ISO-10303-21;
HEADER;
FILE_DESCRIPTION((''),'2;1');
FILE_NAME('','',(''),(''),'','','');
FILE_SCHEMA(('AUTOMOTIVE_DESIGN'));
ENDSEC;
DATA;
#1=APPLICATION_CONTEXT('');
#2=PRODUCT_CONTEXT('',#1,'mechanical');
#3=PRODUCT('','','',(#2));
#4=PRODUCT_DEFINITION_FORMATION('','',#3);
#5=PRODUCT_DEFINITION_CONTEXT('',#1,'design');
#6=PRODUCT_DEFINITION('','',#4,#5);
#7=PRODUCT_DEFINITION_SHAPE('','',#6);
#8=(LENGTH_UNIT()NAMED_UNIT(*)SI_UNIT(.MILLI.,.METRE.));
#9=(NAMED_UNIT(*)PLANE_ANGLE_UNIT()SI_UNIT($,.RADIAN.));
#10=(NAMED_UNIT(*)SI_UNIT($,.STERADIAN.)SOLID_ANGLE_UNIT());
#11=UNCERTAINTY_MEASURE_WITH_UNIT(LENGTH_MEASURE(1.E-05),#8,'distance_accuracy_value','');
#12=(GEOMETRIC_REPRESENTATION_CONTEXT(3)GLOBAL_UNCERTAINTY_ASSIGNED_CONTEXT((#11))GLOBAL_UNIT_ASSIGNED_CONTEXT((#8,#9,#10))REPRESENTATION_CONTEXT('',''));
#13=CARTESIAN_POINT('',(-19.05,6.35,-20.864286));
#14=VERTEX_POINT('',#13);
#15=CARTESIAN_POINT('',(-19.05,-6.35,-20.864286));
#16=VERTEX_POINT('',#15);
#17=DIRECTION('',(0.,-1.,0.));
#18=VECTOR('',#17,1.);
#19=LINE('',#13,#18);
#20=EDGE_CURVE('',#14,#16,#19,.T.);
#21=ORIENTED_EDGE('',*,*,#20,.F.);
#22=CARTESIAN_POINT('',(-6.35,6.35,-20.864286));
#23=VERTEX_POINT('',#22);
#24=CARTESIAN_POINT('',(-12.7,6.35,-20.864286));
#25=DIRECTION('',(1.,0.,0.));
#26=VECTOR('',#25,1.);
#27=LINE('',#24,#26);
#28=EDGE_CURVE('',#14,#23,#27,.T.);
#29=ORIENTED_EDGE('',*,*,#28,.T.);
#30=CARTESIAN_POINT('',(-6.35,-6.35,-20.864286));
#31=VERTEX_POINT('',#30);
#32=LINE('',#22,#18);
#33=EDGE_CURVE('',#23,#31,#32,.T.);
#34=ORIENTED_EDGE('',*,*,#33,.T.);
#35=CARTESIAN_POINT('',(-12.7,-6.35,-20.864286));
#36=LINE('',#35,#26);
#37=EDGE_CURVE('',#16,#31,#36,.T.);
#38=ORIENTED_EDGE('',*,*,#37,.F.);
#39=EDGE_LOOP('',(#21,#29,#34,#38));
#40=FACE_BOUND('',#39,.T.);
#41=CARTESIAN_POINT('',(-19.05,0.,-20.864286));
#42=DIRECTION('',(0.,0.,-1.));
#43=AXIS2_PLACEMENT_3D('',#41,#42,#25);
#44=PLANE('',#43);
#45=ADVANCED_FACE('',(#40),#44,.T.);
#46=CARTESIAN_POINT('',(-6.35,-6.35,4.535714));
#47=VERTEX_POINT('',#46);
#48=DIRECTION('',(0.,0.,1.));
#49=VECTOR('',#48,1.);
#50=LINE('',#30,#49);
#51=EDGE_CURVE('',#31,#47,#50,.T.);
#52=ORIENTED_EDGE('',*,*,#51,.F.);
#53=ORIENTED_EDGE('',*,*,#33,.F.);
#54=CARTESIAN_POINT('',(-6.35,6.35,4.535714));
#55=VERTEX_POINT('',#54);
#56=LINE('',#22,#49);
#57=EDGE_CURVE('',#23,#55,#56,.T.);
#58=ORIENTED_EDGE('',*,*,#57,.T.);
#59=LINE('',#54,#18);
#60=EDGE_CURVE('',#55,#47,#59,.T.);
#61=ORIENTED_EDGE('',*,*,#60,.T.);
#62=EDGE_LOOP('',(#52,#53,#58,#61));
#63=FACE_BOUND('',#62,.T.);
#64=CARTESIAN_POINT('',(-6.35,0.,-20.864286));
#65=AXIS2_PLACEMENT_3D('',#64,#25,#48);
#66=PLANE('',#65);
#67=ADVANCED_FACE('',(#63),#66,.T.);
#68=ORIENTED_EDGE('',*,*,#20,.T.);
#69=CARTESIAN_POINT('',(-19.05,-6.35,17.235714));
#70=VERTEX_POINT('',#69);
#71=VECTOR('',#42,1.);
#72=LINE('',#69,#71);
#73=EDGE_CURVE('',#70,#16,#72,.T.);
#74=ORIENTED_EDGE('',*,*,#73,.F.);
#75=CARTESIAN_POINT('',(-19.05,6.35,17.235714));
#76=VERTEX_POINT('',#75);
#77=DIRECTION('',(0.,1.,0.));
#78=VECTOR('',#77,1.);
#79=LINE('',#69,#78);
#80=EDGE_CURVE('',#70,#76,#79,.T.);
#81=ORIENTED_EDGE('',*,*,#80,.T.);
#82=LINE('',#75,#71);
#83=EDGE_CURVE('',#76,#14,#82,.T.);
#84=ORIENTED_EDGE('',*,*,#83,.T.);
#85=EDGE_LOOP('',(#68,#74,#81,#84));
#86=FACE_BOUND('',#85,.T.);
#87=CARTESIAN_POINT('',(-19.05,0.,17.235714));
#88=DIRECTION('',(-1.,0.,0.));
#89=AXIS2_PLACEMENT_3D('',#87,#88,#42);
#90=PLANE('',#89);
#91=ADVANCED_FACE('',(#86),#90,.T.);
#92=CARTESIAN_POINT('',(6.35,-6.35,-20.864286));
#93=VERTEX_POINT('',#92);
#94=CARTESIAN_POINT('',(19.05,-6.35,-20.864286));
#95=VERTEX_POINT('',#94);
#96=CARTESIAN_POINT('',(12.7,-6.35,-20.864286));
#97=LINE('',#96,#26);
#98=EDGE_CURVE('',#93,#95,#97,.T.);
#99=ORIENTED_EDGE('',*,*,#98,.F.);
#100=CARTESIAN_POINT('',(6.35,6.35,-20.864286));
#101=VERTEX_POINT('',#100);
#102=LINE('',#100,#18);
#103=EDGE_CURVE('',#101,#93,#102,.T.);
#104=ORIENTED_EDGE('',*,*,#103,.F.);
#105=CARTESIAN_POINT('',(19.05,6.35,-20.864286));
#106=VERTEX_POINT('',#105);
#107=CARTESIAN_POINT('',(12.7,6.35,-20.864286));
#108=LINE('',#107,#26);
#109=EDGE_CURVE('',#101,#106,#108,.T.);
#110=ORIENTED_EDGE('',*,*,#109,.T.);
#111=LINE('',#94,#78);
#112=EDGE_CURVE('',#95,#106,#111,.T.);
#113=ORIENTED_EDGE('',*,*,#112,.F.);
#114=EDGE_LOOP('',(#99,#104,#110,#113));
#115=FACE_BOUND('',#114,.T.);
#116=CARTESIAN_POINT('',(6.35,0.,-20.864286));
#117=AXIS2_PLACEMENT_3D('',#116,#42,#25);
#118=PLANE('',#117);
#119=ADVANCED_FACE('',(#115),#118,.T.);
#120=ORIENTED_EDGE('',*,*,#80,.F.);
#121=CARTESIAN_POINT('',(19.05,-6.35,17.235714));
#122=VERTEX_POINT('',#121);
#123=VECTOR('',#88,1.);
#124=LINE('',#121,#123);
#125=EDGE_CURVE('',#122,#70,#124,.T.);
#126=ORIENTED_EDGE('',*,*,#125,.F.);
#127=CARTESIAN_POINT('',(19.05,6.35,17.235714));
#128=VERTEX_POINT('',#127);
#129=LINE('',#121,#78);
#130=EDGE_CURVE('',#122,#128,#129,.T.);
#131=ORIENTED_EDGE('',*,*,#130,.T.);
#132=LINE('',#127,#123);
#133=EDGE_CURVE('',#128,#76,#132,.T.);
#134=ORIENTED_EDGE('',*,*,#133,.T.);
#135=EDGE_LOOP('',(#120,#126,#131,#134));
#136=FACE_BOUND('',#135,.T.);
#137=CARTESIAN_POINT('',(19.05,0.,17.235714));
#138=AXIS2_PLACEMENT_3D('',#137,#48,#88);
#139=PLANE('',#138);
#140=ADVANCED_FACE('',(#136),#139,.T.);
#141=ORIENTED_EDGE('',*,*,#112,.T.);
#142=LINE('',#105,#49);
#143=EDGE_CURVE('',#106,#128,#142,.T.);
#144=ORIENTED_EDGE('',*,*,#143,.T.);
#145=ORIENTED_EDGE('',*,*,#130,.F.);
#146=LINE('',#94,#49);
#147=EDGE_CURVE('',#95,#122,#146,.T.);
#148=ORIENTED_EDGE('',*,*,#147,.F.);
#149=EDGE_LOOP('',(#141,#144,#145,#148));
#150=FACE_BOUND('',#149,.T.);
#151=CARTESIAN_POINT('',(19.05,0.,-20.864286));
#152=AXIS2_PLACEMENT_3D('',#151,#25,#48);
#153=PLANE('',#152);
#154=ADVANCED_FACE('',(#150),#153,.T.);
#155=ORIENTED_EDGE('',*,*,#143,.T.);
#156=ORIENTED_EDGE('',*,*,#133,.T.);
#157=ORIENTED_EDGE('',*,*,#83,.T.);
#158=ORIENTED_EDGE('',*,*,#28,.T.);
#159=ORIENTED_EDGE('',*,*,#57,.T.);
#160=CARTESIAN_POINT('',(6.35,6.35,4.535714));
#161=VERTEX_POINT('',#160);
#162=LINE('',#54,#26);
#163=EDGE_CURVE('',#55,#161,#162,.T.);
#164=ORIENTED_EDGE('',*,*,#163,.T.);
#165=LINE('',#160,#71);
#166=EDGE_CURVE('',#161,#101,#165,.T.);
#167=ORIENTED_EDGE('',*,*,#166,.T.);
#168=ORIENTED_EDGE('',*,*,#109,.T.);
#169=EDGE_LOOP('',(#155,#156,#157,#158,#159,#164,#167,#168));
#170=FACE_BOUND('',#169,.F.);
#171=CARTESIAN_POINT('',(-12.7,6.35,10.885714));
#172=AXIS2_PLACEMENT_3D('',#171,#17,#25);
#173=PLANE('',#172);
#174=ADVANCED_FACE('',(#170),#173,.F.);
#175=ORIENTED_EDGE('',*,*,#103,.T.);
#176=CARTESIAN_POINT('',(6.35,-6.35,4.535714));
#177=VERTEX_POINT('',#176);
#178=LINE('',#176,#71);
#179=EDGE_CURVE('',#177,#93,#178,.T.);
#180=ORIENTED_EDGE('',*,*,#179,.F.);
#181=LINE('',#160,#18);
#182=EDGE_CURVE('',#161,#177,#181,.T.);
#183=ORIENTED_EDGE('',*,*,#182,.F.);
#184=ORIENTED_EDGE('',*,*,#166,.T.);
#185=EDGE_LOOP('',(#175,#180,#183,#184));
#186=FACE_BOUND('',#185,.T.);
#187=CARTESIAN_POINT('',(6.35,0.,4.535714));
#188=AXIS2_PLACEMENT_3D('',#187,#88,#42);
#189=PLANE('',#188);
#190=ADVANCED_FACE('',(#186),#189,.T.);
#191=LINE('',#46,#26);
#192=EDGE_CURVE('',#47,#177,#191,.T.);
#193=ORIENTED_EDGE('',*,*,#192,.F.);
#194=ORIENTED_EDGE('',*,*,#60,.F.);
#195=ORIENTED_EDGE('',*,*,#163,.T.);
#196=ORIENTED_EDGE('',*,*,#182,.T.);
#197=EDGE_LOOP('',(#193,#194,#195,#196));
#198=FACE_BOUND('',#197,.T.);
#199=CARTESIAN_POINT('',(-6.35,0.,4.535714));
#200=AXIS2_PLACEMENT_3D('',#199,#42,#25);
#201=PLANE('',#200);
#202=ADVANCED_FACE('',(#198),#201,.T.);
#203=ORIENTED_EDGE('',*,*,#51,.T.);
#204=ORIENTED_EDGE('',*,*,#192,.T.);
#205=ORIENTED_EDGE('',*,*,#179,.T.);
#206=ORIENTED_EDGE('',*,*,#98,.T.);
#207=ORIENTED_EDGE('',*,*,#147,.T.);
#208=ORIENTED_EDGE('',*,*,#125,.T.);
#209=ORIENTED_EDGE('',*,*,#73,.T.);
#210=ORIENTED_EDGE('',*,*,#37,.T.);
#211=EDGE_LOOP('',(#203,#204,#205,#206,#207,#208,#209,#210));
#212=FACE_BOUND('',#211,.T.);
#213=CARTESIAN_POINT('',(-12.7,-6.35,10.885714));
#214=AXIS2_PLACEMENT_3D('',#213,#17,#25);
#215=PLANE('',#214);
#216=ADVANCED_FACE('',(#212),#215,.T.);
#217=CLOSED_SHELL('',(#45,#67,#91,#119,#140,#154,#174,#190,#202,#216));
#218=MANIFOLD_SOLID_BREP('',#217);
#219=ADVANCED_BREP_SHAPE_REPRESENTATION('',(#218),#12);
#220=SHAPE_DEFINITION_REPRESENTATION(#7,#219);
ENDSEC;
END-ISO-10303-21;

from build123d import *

# Parameters (mm, degrees)
F0_W     = 12.7
F0_H     = 12.7
F1_DEPTH = 6.35


with BuildPart() as f1:
    # F0 (on Front) → F1 (new body, symmetric)
    with BuildSketch(Plane.XZ):
        with Locations((-12.7, 10.885714)):
            Rectangle(F0_W, F0_H)
        with Locations((0, 10.885714)):
            Rectangle(F0_W, F0_H)
        with Locations((-12.7, -1.814286)):
            Rectangle(F0_W, F0_H)
        with Locations((12.7, 10.885714)):
            Rectangle(F0_W, F0_H)
        with Locations((-12.7, -14.514286)):
            Rectangle(F0_W, F0_H)
        with Locations((12.7, -1.814286)):
            Rectangle(F0_W, F0_H)
        with Locations((12.7, -14.514286)):
            Rectangle(F0_W, F0_H)
    extrude(amount=F1_DEPTH, both=True)


solid = f1.part
